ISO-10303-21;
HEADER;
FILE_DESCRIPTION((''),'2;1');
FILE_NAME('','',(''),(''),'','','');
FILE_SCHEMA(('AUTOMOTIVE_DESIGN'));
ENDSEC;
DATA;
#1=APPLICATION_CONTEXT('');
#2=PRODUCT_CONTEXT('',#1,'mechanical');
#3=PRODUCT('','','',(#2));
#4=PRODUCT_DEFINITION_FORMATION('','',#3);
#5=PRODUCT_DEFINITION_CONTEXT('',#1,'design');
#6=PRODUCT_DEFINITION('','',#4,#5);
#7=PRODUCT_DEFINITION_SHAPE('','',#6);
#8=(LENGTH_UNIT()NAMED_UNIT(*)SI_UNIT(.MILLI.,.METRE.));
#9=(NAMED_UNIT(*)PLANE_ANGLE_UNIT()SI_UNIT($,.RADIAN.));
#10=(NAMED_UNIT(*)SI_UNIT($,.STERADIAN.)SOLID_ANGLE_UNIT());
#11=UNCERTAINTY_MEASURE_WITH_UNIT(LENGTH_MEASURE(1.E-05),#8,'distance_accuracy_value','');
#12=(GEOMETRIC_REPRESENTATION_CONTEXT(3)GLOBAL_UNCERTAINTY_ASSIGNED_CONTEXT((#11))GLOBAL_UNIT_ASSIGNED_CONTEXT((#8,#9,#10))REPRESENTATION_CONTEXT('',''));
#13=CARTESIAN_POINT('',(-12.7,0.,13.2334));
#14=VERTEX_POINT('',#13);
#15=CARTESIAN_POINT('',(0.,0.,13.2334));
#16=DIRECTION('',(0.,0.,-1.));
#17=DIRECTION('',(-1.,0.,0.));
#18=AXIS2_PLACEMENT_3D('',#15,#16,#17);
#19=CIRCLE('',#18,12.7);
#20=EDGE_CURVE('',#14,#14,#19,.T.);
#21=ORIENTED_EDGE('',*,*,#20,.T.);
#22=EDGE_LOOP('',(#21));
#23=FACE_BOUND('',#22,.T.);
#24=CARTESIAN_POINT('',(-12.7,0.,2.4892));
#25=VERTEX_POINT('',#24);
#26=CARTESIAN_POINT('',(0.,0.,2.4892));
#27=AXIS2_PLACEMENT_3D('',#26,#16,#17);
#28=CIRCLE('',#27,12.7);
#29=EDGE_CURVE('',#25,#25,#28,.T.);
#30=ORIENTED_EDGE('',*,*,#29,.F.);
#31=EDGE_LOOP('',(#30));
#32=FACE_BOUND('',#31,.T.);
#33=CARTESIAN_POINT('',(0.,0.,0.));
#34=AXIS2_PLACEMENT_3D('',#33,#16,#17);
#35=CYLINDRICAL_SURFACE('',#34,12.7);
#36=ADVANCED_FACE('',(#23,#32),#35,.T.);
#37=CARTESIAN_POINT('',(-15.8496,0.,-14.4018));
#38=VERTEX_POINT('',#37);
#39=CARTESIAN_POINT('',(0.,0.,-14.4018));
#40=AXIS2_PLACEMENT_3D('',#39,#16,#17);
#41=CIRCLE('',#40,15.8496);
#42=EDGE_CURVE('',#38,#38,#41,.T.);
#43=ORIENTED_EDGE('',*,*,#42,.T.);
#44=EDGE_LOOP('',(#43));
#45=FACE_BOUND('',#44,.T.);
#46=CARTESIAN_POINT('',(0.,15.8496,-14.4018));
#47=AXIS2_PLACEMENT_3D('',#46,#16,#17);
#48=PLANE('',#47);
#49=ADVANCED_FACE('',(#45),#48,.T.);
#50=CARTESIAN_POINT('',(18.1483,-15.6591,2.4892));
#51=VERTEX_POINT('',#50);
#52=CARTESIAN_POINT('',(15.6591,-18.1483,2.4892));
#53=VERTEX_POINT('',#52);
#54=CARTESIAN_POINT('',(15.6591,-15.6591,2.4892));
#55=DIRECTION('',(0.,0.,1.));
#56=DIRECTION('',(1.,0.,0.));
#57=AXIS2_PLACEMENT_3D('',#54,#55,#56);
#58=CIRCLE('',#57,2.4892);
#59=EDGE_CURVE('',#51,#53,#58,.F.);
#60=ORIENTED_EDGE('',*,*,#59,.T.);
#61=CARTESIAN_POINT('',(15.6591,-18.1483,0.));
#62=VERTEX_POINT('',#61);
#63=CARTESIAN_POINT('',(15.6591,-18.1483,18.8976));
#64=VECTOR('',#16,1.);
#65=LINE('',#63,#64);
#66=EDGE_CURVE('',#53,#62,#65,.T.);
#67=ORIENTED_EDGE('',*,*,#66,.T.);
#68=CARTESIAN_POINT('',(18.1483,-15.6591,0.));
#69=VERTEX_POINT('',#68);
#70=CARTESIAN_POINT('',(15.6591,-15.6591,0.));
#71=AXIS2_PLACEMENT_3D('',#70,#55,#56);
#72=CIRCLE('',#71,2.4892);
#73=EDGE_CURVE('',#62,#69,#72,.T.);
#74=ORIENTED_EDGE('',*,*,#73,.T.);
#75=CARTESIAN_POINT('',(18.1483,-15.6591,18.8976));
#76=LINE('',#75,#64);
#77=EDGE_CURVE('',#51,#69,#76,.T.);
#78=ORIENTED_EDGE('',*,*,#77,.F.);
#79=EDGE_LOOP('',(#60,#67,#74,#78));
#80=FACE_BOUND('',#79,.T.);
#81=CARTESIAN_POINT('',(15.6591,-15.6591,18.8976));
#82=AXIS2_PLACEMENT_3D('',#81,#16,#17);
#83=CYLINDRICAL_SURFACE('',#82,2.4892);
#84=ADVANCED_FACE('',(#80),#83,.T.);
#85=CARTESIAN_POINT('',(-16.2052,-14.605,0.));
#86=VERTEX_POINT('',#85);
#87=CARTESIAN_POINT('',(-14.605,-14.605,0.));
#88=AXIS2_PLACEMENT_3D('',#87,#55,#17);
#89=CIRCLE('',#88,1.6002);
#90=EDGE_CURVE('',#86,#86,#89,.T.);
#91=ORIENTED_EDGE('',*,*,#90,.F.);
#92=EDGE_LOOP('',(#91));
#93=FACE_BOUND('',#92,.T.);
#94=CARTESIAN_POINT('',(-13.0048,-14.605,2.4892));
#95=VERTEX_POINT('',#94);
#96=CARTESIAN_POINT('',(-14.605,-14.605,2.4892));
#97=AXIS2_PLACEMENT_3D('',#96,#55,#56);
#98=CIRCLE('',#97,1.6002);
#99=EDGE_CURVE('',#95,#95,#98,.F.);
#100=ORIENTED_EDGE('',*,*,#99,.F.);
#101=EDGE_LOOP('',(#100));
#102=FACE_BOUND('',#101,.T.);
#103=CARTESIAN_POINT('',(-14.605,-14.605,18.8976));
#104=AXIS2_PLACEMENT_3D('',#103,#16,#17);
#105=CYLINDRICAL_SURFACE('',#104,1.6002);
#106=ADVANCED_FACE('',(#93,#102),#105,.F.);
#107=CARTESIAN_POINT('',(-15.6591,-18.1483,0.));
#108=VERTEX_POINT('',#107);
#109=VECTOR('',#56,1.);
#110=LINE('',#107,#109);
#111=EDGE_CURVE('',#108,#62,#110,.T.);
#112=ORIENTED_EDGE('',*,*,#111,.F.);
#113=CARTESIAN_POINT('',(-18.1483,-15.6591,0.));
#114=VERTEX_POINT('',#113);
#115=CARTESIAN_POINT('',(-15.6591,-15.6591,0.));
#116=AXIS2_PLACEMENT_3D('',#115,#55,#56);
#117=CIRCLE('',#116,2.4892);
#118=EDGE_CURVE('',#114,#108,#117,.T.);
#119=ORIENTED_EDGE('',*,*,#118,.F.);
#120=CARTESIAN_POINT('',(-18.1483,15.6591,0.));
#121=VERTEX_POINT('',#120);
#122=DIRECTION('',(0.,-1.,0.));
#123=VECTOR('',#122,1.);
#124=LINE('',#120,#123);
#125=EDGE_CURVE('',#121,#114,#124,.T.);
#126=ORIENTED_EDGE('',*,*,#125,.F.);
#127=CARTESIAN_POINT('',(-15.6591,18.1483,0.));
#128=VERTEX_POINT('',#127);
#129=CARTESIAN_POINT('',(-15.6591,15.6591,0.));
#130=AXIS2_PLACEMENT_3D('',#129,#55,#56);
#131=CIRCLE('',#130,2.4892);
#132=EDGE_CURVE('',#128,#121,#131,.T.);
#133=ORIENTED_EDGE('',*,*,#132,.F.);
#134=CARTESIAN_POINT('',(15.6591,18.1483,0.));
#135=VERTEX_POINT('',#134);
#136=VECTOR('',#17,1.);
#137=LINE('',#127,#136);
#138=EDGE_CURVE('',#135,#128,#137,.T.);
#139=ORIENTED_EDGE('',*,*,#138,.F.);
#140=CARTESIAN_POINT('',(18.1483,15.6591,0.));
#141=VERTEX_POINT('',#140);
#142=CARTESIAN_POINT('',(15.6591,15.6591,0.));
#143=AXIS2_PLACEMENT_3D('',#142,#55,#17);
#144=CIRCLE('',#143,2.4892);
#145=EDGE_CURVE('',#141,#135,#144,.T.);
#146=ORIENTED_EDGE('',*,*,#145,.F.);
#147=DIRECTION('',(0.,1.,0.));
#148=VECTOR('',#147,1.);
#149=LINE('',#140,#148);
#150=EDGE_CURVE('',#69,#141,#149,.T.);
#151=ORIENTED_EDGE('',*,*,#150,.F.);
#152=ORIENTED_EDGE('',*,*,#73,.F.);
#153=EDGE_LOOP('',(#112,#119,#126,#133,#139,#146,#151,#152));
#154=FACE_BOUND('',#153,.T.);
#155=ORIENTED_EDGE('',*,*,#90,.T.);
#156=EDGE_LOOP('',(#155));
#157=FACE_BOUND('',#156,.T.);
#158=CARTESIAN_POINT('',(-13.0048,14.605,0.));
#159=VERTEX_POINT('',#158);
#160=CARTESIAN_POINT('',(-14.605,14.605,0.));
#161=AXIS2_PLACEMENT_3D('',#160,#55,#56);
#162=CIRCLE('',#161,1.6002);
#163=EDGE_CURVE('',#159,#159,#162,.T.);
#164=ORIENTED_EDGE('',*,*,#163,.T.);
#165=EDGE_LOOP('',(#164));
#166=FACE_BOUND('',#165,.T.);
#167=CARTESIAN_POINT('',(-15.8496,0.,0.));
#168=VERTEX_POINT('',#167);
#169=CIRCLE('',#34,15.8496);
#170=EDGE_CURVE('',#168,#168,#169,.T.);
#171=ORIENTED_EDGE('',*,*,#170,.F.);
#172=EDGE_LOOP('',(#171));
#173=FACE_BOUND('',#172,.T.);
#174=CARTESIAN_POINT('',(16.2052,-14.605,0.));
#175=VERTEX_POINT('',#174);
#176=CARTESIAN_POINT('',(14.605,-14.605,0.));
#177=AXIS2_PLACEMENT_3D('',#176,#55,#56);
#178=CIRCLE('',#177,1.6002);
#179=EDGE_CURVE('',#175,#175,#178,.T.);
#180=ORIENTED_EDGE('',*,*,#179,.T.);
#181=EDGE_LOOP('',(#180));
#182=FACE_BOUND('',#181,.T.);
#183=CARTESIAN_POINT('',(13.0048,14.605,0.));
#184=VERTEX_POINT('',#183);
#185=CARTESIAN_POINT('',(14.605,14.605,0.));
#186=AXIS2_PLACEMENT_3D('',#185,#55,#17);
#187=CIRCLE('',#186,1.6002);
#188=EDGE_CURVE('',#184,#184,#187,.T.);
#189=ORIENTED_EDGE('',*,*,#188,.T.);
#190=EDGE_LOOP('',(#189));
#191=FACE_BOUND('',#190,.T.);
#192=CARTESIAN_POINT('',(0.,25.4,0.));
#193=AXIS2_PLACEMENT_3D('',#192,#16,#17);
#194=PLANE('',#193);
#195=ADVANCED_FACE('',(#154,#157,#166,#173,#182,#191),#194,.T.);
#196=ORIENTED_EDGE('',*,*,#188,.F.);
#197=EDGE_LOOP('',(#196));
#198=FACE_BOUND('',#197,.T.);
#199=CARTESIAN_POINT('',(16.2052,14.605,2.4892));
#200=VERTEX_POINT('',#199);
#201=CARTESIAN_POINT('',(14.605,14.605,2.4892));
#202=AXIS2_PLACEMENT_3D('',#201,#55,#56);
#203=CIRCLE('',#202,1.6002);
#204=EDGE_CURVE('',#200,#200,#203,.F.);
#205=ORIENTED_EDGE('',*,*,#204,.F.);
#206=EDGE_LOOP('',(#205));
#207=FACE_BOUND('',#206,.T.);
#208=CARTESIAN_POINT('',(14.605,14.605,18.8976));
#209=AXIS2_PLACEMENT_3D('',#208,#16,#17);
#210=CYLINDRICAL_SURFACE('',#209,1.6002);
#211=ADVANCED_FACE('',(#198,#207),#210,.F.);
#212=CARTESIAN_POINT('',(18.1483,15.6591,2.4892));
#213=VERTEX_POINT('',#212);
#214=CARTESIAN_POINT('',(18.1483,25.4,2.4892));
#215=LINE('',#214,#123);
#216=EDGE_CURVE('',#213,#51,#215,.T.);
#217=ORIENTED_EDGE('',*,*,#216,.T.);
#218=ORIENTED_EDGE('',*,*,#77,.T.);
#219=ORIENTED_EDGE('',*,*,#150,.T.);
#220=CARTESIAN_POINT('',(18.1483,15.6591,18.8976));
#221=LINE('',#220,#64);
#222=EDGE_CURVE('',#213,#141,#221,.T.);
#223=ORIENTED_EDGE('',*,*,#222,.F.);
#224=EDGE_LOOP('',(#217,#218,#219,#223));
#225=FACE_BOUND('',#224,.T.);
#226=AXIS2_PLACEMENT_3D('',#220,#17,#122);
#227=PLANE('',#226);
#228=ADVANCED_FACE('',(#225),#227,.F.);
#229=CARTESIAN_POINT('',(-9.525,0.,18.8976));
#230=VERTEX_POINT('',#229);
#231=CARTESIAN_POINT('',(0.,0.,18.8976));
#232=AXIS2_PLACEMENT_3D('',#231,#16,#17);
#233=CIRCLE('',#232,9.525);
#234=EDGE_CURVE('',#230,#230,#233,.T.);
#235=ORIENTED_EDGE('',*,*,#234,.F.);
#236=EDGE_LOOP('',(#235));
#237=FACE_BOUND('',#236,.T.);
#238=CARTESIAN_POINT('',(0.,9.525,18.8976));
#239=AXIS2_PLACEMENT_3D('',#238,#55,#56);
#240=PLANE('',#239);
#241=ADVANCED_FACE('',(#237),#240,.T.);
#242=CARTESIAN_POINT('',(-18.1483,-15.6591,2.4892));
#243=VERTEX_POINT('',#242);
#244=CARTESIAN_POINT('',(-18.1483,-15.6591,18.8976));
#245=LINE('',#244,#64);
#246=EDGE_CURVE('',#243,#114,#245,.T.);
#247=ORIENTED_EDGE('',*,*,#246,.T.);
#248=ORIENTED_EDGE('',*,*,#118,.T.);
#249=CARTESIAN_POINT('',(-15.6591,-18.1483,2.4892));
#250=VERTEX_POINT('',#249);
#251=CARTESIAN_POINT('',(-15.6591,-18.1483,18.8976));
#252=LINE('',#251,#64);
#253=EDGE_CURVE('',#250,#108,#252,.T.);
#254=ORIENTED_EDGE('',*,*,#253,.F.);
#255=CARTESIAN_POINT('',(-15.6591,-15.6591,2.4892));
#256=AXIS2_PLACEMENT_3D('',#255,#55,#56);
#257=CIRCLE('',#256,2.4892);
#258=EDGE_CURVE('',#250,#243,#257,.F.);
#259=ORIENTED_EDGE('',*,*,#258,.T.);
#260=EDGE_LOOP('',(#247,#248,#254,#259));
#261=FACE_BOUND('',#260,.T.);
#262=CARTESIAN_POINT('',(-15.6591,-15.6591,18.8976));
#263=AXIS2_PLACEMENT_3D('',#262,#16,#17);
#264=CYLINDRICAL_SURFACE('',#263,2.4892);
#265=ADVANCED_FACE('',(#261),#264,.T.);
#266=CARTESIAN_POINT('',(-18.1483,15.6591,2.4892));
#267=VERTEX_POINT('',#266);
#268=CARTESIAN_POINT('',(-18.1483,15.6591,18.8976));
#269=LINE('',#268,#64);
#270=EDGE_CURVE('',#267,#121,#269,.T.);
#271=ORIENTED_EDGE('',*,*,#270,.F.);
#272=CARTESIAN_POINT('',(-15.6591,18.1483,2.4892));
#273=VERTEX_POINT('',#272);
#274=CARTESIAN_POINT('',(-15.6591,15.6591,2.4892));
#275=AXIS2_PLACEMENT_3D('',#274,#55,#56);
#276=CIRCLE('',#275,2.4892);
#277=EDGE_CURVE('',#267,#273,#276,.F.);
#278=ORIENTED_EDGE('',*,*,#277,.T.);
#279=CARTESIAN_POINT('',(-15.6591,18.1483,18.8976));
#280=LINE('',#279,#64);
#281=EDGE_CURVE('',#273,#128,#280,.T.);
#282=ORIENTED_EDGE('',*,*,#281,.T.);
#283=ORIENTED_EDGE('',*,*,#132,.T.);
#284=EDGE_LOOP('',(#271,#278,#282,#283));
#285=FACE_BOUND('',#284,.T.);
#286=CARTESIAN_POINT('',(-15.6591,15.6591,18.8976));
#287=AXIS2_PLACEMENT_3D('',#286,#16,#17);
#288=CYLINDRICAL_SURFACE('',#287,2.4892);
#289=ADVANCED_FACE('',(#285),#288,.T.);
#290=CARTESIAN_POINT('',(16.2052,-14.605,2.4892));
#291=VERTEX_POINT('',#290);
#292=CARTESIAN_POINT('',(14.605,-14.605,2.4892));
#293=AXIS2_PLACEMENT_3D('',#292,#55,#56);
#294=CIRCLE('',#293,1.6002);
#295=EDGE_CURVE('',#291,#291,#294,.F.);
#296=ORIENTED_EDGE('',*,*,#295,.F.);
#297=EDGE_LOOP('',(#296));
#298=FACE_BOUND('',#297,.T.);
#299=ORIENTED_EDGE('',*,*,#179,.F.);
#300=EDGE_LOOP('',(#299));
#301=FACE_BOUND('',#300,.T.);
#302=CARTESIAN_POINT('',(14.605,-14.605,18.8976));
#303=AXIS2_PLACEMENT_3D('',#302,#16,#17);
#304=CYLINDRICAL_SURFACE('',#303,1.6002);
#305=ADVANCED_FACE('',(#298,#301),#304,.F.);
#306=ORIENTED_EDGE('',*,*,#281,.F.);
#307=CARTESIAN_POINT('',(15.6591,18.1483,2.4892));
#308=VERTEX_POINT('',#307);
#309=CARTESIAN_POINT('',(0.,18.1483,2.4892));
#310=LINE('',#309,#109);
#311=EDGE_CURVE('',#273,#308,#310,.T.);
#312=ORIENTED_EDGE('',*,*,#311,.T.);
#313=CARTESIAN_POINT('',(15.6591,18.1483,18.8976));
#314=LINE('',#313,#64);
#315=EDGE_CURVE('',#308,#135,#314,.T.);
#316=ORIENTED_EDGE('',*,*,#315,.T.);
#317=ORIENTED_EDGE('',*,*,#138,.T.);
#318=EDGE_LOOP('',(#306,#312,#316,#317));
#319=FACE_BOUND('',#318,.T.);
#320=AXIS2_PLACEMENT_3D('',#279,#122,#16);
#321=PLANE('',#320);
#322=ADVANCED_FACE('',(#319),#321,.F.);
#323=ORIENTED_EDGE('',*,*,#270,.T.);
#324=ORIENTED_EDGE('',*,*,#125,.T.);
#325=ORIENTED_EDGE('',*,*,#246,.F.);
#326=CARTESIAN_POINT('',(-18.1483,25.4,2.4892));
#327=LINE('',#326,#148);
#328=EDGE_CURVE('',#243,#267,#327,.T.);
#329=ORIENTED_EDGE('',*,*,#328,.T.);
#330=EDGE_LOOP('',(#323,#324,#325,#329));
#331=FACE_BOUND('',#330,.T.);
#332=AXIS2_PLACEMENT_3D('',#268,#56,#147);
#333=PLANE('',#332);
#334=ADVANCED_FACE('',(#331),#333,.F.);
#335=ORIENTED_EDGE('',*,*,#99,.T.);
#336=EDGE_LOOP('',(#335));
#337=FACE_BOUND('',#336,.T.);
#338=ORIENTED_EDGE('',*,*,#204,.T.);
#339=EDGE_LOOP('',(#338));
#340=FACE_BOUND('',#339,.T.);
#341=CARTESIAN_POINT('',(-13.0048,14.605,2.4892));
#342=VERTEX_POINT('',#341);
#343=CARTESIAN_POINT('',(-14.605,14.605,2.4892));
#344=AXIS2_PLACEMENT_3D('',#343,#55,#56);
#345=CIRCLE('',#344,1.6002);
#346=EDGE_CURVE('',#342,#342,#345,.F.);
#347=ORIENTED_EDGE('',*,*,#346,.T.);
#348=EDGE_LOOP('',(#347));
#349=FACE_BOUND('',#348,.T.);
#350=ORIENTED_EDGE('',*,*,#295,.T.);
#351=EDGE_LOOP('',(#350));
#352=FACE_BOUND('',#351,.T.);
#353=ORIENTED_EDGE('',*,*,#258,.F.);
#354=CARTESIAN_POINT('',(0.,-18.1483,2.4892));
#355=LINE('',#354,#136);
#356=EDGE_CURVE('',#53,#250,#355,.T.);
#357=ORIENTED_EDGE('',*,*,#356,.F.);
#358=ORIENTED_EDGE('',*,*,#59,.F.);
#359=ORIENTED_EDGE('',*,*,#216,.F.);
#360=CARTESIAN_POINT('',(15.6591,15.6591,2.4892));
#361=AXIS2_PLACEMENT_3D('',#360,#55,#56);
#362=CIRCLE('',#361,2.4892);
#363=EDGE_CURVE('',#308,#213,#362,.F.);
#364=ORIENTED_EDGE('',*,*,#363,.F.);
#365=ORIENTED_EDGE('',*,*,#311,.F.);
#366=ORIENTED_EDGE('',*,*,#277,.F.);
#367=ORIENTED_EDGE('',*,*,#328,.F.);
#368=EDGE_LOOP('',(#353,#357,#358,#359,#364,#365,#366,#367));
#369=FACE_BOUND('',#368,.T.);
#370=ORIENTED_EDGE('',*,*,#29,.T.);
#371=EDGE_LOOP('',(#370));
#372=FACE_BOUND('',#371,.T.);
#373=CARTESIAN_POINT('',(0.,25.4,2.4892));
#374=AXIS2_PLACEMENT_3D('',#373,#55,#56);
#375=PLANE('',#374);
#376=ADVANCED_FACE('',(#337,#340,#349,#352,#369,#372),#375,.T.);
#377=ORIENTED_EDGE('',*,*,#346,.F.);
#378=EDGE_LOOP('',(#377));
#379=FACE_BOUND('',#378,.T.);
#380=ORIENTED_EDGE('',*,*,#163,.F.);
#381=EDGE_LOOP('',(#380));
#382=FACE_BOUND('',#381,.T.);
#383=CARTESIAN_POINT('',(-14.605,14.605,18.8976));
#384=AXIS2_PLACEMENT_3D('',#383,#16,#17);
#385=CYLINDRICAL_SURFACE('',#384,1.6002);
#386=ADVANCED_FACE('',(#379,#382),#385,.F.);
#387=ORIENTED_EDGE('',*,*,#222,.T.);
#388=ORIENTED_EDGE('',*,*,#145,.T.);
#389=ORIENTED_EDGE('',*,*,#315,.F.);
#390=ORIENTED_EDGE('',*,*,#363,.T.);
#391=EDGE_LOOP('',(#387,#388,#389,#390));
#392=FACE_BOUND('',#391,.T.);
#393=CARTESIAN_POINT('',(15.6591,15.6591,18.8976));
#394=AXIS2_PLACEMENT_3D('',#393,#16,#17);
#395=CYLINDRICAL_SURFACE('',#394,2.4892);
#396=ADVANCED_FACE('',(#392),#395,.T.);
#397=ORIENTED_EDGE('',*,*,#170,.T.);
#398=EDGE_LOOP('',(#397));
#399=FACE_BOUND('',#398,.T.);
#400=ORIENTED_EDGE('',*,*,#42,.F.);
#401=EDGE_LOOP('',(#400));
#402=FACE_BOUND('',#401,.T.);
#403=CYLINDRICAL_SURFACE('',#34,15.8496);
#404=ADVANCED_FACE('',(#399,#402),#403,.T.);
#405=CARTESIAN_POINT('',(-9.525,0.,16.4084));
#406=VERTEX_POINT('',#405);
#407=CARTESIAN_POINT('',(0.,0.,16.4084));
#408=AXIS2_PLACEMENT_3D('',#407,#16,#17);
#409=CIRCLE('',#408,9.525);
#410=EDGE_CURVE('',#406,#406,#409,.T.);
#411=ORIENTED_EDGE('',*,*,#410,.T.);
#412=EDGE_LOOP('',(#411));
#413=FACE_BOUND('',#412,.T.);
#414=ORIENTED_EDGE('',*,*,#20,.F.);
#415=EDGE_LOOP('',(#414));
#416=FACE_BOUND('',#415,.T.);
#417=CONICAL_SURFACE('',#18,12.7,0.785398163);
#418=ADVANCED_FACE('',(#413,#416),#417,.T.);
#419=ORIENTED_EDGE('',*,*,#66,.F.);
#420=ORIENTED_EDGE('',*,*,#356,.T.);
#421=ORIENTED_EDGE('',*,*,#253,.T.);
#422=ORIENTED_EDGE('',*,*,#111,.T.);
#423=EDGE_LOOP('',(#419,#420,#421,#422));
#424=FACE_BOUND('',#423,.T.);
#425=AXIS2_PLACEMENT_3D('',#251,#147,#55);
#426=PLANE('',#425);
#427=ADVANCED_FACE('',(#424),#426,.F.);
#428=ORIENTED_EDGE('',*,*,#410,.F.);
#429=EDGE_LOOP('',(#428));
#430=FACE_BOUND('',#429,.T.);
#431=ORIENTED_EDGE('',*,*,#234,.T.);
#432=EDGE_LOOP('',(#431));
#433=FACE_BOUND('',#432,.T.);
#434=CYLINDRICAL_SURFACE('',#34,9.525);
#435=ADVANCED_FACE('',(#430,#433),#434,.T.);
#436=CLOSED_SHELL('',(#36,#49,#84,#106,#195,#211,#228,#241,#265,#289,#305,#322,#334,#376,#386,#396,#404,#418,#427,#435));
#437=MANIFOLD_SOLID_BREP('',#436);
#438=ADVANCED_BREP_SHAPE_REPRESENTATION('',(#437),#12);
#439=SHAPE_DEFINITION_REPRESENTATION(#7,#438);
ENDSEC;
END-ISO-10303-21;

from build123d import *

# Parameters (mm, degrees)
SKETCH2_OUTSIDE_W  = 68.636
SKETCH2_OUTSIDE_H  = 68.636
CUT_EXTRUDE2_DEPTH = 41.588659571
SKETCH4_R          = 1.6002
CUT_EXTRUDE4_DEPTH = 32.872258651


with BuildPart() as part:
    # Sketch1 → Revolve1 (revolve)
    with BuildSketch(Plane(origin=(0, 0, 0), x_dir=(0, 0, -1), z_dir=(1, 0, 0)), mode=Mode.PRIVATE) as revolve1_sk:
        Polygon((-2.4892, 25.4), (0, 25.4), (0, 15.8496), (14.4018, 15.8496), (14.4018, 0), (-18.8976, 0), (-18.8976, 9.525), (-16.4084, 9.525), (-13.2334, 12.7), (-2.4892, 12.7), align=None)
    revolve(revolve1_sk.sketch.rotate(Axis((0, 0, 0), (0, 0, 1)), 90), axis=Axis((0, 0, 0), (0, 0, 1)))

    # Sketch2 outside → Cut-Extrude2 (cut, through all)
    with BuildSketch(Plane.XY):
        Rectangle(SKETCH2_OUTSIDE_W, SKETCH2_OUTSIDE_H)
        with BuildLine():
            Line((-15.6591, 18.1483), (15.6591, 18.1483))
            ThreePointArc((15.6591, 18.1483), (17.4192302, 17.4192302), (18.1483, 15.6591))
            Line((18.1483, 15.6591), (18.1483, -15.6591))
            ThreePointArc((18.1483, -15.6591), (17.4192302, -17.4192302), (15.6591, -18.1483))
            Line((15.6591, -18.1483), (-15.6591, -18.1483))
            ThreePointArc((-15.6591, -18.1483), (-17.4192302, -17.4192302), (-18.1483, -15.6591))
            Line((-18.1483, -15.6591), (-18.1483, 15.6591))
            ThreePointArc((-18.1483, 15.6591), (-17.4192302, 17.4192302), (-15.6591, 18.1483))
        make_face(mode=Mode.SUBTRACT)
    extrude(amount=CUT_EXTRUDE2_DEPTH, mode=Mode.SUBTRACT)

    # Sketch4 → Cut-Extrude4 (cut, through all)
    with BuildSketch(Plane.XY):
        with Locations((-14.605, 14.605)):
            Circle(SKETCH4_R)
        with Locations(Location((14.605, 14.605, 0), (0, 0, 180))):
            Circle(SKETCH4_R)
        with Locations(Location((-14.605, -14.605, 0), (0, 0, 180))):
            Circle(SKETCH4_R)
        with Locations((14.605, -14.605)):
            Circle(SKETCH4_R)
    extrude(amount=CUT_EXTRUDE4_DEPTH, mode=Mode.SUBTRACT)


solid = part.part
